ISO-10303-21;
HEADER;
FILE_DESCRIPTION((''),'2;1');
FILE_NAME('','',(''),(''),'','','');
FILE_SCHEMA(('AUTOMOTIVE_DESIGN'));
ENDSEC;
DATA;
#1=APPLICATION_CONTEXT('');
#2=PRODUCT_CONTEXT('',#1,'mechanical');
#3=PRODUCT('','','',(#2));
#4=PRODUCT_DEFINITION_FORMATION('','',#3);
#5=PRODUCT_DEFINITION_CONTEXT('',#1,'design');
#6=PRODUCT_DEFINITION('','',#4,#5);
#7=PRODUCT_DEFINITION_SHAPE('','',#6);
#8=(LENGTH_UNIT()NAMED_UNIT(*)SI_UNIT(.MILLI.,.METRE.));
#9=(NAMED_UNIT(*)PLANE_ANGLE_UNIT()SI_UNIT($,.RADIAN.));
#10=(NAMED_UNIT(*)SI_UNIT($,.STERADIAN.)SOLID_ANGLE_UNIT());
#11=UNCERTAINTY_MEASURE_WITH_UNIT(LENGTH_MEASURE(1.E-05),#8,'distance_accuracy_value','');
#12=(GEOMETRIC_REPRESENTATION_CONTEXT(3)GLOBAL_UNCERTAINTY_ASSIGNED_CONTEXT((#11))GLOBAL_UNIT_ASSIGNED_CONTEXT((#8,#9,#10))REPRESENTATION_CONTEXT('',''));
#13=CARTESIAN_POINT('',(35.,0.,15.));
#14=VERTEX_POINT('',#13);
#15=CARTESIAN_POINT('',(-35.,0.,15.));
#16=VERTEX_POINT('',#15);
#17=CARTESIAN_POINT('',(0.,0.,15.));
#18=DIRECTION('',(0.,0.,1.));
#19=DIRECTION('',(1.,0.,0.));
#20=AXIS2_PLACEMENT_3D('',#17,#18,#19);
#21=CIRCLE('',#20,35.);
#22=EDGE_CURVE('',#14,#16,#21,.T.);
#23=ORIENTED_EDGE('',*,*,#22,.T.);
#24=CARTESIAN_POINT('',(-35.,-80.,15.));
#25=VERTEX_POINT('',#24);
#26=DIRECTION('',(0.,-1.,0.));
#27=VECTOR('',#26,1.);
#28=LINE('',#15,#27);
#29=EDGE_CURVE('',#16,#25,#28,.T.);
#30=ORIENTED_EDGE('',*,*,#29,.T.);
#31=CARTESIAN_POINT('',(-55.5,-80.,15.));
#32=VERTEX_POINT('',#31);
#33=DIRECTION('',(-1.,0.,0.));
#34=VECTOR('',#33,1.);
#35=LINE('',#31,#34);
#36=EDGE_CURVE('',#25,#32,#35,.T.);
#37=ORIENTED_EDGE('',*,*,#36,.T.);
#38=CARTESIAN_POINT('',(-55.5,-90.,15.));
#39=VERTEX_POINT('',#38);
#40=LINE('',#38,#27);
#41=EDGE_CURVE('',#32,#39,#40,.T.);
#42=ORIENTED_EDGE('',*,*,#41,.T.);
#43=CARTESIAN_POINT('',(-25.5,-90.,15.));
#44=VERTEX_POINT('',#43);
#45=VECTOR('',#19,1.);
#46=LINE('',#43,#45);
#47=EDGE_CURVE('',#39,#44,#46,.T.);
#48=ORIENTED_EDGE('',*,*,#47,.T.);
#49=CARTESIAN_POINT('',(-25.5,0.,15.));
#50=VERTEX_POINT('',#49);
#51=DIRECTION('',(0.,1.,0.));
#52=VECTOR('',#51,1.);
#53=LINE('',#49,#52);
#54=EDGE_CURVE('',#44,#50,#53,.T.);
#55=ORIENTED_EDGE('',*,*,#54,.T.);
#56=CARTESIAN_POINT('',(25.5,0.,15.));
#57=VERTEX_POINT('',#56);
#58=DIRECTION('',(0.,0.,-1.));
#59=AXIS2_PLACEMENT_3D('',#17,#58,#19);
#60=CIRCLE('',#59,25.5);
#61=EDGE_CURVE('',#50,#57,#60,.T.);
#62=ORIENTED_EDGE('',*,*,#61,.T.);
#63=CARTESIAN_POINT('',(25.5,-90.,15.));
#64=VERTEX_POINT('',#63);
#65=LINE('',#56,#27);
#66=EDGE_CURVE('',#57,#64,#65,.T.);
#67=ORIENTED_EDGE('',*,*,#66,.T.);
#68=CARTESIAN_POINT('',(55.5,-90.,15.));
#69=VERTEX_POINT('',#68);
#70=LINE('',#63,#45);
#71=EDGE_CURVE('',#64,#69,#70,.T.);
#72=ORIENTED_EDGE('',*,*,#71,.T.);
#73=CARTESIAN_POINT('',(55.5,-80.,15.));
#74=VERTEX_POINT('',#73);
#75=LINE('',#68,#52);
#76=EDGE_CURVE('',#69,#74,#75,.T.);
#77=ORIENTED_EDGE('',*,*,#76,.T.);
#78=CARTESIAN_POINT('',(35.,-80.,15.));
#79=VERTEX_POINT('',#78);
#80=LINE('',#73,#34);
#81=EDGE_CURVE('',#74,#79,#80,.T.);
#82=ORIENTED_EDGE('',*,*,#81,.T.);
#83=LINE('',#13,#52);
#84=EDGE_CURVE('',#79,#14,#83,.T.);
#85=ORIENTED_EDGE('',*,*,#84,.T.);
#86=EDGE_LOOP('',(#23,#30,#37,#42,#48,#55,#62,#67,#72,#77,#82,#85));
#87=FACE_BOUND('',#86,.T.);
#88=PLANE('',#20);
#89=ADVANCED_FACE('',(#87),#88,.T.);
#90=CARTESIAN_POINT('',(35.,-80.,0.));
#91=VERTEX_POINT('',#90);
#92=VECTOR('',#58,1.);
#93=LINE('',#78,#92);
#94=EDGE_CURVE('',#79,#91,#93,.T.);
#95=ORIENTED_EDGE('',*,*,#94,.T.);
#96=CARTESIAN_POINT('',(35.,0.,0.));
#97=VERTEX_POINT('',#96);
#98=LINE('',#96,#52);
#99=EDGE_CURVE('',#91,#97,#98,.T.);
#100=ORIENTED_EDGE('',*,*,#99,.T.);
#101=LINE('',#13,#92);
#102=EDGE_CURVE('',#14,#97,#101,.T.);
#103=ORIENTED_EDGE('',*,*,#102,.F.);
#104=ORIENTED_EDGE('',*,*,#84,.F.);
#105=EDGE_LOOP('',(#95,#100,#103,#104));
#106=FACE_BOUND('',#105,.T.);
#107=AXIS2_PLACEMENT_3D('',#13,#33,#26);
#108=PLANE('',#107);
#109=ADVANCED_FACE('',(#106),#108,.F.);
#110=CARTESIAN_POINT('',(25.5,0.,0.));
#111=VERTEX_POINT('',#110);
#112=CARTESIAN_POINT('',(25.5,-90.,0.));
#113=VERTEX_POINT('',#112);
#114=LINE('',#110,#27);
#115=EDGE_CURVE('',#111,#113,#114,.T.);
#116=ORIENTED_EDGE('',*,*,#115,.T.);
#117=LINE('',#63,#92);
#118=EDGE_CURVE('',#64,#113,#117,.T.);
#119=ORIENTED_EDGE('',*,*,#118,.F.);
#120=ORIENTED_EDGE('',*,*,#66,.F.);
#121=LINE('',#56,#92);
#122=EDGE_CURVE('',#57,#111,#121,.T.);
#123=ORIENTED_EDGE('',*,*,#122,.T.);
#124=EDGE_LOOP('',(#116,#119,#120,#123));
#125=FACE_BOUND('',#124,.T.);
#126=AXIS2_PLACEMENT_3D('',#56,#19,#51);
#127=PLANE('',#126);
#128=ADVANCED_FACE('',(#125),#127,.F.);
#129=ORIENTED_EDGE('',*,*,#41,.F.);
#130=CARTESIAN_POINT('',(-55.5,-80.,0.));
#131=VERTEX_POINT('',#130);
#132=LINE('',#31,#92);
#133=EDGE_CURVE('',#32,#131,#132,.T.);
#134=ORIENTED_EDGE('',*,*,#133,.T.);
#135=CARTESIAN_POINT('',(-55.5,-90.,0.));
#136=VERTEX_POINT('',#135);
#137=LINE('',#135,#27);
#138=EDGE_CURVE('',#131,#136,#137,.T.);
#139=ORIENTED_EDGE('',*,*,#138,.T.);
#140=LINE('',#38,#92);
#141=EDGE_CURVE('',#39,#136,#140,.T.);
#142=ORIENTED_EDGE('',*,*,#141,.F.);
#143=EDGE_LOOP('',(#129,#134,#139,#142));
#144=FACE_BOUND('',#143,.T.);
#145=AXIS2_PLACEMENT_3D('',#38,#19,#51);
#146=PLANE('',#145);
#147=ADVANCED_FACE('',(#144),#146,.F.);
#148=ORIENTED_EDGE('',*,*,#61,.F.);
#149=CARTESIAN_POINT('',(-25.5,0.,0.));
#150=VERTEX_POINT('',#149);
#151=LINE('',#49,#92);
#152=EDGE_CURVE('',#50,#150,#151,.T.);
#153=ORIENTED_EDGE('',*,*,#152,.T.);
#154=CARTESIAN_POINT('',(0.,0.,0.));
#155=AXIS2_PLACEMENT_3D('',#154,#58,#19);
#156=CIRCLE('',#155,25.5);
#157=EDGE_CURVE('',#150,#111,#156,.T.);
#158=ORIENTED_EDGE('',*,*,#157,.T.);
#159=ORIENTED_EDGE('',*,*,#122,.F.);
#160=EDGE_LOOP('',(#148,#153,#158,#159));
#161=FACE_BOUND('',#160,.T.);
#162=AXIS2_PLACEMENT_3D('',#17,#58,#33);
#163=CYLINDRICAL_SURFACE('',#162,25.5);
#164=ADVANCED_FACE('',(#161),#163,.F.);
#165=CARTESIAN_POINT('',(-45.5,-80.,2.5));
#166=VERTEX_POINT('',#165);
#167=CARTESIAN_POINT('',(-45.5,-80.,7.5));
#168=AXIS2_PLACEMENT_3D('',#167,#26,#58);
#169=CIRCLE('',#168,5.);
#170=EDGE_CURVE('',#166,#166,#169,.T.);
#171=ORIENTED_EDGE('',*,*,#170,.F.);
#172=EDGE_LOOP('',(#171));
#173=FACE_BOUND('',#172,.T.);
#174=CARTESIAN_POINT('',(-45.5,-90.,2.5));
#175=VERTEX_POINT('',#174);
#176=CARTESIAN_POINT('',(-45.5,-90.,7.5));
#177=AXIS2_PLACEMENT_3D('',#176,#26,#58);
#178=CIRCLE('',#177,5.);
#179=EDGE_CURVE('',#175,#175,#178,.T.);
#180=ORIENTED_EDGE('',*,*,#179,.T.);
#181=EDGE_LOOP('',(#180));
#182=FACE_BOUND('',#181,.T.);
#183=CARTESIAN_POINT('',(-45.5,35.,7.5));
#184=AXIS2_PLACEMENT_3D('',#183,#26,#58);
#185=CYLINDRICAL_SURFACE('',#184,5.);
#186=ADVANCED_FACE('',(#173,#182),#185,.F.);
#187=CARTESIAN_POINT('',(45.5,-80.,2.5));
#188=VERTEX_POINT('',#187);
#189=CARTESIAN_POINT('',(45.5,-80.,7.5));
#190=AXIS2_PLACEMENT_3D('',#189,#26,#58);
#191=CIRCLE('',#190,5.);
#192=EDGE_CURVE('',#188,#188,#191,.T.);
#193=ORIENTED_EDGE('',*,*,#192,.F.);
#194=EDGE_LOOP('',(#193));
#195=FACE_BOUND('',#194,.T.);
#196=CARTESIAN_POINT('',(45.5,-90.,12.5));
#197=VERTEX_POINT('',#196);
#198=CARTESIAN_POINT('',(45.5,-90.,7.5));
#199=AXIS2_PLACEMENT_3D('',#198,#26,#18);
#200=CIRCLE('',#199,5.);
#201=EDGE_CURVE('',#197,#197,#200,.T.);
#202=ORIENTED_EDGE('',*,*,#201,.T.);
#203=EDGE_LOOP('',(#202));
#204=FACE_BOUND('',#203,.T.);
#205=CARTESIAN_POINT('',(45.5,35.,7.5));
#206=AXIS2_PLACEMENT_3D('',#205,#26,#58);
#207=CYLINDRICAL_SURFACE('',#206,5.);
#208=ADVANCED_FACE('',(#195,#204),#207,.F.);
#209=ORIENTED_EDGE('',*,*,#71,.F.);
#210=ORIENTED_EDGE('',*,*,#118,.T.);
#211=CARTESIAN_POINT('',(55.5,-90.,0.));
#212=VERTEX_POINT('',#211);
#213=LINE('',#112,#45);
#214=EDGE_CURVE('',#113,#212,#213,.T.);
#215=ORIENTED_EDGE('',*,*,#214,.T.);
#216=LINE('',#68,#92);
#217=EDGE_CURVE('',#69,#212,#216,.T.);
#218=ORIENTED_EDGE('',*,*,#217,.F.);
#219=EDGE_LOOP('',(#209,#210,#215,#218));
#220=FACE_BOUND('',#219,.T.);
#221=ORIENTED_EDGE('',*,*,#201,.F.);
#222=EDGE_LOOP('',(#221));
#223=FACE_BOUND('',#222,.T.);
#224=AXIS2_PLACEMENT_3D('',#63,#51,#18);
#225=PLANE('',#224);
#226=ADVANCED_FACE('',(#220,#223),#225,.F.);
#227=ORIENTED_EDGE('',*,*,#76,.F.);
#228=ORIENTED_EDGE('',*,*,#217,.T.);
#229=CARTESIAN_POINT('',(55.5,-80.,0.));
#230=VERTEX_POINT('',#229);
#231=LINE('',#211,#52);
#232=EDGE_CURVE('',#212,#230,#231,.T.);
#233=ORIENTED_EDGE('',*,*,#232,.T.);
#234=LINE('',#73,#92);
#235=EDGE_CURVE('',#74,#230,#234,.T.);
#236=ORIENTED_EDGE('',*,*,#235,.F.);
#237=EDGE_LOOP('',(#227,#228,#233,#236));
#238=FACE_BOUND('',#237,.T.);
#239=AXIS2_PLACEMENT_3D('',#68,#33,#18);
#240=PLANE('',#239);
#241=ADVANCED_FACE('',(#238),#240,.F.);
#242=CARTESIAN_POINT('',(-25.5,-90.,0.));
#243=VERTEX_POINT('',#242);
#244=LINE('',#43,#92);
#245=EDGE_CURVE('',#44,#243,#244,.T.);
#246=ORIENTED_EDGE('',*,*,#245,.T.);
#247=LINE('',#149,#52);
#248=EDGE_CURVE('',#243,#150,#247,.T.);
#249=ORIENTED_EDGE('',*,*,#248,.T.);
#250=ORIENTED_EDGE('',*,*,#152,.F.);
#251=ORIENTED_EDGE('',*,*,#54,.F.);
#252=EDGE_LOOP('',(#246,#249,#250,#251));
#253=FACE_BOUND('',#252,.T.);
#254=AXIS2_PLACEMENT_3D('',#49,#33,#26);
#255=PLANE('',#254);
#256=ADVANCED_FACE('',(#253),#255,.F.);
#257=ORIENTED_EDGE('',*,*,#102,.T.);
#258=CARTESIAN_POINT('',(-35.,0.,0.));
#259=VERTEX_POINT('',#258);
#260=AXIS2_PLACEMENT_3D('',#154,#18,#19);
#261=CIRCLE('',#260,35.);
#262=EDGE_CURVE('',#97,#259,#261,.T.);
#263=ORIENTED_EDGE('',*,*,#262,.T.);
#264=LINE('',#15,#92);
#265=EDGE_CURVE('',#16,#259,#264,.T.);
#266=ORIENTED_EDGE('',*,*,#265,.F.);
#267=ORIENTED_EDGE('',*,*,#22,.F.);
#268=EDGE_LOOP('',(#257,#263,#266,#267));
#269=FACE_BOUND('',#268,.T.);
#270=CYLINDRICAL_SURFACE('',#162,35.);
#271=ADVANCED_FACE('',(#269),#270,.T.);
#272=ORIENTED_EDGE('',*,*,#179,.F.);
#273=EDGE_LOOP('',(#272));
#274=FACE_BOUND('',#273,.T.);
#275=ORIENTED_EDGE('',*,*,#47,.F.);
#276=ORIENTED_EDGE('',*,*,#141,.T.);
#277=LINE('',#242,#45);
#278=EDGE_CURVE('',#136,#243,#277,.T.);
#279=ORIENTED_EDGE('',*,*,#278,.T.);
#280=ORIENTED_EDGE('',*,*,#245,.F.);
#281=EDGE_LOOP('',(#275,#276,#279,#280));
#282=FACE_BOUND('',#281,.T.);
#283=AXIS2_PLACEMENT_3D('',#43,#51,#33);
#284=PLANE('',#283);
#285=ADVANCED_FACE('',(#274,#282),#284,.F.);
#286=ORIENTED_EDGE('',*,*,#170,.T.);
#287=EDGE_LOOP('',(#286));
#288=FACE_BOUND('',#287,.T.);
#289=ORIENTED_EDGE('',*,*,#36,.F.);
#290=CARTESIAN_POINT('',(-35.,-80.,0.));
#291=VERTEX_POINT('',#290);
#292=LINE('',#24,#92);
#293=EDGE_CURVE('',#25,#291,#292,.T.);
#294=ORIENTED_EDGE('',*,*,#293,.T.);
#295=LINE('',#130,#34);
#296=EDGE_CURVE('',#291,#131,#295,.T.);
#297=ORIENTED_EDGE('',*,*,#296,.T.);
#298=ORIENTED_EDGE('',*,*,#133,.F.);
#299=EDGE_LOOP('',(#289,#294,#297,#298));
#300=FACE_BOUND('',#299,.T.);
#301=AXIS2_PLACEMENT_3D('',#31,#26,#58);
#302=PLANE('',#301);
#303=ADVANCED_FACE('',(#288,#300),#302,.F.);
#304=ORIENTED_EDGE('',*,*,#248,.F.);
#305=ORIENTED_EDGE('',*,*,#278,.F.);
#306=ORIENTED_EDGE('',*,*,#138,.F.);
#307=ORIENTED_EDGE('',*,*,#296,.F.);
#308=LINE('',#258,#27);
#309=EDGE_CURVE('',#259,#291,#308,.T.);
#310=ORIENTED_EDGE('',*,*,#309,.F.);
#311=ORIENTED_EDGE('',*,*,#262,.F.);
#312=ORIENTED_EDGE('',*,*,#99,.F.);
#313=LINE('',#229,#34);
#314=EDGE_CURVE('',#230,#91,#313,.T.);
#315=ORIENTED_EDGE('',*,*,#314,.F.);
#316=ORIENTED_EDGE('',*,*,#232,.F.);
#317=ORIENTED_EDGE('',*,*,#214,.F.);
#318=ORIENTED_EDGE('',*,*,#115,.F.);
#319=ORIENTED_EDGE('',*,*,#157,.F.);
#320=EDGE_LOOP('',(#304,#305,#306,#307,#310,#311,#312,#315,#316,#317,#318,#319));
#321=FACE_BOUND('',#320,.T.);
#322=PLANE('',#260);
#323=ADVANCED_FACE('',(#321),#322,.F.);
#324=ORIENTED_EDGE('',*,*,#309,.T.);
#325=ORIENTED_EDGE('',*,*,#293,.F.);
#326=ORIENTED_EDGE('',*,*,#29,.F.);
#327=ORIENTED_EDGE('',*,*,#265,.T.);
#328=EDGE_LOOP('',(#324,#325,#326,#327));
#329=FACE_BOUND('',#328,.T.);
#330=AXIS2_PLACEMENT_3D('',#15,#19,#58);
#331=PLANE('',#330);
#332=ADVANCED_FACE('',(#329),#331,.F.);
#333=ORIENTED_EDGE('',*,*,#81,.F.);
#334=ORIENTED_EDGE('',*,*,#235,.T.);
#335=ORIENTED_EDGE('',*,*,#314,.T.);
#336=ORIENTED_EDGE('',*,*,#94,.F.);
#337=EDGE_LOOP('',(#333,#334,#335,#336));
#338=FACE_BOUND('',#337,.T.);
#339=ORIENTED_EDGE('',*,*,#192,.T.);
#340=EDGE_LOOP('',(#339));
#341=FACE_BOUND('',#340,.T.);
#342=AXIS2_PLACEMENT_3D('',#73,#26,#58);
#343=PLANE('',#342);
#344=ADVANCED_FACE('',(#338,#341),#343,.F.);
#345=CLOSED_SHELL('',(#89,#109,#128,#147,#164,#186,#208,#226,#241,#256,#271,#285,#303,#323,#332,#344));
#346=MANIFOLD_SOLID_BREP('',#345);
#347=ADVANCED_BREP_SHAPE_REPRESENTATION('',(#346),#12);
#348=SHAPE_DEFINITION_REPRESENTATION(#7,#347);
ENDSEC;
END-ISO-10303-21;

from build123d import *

# Parameters (mm, degrees)
BOSS_EXTRUDE1_DEPTH = 15
SKETCH3_R           = 5
CUT_EXTRUDE2_DEPTH  = 138.587245048


with BuildPart() as part:
    # Sketch1 → Boss-Extrude1 (new body)
    with BuildSketch(Plane.XY):
        with BuildLine():
            Line((55.5, -90), (55.5, -80))
            Line((55.5, -80), (35, -80))
            Line((35, -80), (35, 0))
            ThreePointArc((35, 0), (0, 35), (-35, 0))
            Line((-35, 0), (-35, -80))
            Line((-35, -80), (-55.5, -80))
            Line((-55.5, -80), (-55.5, -90))
            Line((-55.5, -90), (-25.5, -90))
            Line((-25.5, -90), (-25.5, 0))
            ThreePointArc((-25.5, 0), (0, 25.5), (25.5, 0))
            Line((25.5, 0), (25.5, -90))
            Line((25.5, -90), (55.5, -90))
        make_face()
    extrude(amount=BOSS_EXTRUDE1_DEPTH)

    # Sketch3 → Cut-Extrude2 (cut, through all)
    with BuildSketch(Plane.XZ.offset(90)):
        with Locations(Location((-45.5, 7.5, 0), (0, 0, 270))):
            Circle(SKETCH3_R)
        with Locations(Location((45.5, 7.5, 0), (0, 0, 270))):
            Circle(SKETCH3_R)
    extrude(amount=-CUT_EXTRUDE2_DEPTH, mode=Mode.SUBTRACT)


solid = part.part
